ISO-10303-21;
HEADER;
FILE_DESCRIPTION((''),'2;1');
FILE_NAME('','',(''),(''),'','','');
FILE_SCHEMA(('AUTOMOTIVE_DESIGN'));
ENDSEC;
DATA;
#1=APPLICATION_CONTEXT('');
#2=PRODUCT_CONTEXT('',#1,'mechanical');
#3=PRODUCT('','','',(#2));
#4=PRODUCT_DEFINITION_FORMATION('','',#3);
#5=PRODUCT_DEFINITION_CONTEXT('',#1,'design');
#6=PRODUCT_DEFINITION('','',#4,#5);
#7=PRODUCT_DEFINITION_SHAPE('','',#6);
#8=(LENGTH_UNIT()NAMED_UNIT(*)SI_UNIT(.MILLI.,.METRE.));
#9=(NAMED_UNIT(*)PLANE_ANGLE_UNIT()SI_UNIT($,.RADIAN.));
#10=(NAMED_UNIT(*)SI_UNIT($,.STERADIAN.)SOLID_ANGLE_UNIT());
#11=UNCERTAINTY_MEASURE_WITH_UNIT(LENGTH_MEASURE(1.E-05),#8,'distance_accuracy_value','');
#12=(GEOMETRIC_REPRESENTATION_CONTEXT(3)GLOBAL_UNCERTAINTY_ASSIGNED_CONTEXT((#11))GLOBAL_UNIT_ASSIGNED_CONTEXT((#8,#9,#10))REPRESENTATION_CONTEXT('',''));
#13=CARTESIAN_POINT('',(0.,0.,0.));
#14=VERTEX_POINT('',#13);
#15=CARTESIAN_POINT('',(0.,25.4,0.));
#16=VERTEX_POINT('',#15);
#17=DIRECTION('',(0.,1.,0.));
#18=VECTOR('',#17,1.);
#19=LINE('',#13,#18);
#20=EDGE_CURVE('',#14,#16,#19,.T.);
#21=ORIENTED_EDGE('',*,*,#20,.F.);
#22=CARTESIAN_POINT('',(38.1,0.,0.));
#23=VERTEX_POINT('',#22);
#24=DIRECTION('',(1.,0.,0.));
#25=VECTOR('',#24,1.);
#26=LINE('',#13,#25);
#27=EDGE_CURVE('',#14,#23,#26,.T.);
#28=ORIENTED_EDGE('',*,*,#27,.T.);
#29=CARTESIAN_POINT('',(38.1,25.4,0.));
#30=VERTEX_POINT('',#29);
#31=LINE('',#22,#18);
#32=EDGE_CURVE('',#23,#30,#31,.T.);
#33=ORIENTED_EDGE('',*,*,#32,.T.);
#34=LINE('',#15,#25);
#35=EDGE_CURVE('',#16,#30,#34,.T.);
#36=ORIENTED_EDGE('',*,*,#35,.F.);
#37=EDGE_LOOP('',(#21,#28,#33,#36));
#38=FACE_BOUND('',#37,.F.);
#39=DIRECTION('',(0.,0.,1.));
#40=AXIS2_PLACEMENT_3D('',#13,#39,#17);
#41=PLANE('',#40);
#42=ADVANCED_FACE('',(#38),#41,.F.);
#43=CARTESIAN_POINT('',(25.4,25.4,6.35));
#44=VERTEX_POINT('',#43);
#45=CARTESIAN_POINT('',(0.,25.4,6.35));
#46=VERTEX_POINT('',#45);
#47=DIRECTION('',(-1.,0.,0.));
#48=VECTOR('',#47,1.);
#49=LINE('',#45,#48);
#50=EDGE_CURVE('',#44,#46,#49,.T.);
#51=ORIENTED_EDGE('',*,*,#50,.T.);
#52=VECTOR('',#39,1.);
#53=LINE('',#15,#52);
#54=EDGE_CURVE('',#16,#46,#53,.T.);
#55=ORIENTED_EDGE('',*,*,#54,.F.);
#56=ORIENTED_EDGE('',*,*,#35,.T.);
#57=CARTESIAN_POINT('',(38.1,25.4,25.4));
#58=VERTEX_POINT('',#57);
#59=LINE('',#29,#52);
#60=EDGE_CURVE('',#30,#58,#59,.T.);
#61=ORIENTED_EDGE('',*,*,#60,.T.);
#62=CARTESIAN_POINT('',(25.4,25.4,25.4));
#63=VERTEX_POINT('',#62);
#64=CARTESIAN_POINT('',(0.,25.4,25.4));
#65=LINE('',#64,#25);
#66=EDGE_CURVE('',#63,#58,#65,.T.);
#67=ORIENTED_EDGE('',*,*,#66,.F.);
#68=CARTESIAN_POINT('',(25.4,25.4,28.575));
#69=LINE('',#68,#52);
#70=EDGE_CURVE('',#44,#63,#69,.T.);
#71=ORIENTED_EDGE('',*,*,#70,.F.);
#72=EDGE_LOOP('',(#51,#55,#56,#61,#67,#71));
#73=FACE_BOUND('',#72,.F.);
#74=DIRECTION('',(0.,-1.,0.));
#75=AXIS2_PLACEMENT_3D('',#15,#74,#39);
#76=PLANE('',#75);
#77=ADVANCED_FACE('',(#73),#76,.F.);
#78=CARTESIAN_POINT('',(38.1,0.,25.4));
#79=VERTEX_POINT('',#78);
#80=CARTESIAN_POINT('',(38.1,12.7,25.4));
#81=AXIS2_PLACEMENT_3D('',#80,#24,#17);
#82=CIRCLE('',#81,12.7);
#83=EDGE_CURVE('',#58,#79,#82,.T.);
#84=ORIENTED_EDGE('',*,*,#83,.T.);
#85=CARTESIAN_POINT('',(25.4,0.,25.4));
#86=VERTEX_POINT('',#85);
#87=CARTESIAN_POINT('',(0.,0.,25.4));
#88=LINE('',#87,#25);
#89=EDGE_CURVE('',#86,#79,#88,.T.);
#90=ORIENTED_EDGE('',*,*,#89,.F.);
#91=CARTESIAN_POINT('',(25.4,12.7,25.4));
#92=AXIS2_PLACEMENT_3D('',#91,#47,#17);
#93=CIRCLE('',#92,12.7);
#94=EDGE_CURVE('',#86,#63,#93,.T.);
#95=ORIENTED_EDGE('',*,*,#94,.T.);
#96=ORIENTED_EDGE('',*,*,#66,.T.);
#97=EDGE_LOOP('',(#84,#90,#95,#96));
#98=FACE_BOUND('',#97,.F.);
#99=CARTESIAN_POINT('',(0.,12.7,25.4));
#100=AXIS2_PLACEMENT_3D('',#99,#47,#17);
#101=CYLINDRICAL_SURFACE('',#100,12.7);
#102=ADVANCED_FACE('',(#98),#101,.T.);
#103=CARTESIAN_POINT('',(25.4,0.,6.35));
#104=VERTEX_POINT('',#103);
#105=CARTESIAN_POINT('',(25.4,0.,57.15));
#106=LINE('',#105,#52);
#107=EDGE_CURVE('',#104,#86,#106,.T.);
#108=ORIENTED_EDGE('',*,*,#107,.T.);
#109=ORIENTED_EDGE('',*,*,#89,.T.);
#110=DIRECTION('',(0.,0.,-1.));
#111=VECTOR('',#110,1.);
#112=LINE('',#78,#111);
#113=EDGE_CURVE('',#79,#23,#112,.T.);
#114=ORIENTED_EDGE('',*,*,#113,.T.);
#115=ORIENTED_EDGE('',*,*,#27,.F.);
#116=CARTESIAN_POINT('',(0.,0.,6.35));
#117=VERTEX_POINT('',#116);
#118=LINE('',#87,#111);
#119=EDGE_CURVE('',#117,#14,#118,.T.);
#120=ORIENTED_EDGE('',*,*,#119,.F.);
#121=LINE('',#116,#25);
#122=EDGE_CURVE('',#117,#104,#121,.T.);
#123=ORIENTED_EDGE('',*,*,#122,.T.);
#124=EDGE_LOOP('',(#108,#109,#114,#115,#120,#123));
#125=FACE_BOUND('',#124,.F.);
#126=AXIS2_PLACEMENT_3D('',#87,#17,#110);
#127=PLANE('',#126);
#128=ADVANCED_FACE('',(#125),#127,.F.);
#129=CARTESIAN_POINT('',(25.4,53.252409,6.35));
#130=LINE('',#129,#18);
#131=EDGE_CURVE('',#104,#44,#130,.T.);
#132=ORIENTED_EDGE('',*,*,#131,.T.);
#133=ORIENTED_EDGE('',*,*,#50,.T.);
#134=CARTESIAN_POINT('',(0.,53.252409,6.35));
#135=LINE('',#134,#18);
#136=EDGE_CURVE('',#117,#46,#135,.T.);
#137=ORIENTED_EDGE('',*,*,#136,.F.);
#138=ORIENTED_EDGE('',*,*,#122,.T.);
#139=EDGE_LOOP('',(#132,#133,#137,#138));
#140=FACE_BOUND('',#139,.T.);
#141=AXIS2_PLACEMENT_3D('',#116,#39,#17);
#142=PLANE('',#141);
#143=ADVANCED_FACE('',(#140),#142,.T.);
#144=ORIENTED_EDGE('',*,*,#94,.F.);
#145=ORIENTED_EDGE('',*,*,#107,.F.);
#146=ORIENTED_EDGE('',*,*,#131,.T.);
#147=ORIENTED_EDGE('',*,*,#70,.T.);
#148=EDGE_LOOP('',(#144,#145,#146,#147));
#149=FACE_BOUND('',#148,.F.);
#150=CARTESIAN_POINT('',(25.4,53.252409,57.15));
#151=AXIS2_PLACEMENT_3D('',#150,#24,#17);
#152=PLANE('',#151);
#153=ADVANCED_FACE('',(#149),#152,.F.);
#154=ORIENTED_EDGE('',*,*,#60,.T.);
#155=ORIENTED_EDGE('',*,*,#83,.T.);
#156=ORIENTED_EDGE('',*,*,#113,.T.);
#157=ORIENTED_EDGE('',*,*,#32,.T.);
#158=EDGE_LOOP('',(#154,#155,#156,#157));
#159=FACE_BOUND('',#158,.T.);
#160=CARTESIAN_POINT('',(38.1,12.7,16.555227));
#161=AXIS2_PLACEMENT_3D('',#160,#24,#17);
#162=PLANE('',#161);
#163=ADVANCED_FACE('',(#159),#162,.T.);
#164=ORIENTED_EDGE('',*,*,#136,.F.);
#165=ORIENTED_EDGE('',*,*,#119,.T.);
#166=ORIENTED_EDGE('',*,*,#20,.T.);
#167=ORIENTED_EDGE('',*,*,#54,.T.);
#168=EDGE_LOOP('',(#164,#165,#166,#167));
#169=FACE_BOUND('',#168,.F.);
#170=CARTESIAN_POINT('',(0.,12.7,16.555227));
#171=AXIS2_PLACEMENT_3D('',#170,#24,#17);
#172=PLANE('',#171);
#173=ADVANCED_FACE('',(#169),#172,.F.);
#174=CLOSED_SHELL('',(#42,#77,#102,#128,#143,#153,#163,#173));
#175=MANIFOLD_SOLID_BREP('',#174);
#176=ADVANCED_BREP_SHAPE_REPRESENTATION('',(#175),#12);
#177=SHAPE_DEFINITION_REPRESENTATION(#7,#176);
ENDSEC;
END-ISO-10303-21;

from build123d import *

# Parameters (mm, degrees)
F1_DEPTH = 38.1
F2_W     = 106.504818
F2_H     = 101.6
F3_DEPTH = 25.4


with BuildPart() as f1:
    # F0 (on Right) → F1 (new body)
    with BuildSketch(Plane.YZ):
        with BuildLine():
            Line((0, 25.4), (0, 0))
            Line((0, 0), (25.4, 0))
            Line((25.4, 0), (25.4, 25.4))
            ThreePointArc((25.4, 25.4), (12.7, 38.1), (0, 25.4))
        make_face()
    extrude(amount=F1_DEPTH)

    # F2 (on Right) → F3 (cut)
    with BuildSketch(Plane.YZ):
        with Locations((53.252409, 57.15)):
            Rectangle(F2_W, F2_H)
    extrude(amount=F3_DEPTH, mode=Mode.SUBTRACT)


solid = f1.part
